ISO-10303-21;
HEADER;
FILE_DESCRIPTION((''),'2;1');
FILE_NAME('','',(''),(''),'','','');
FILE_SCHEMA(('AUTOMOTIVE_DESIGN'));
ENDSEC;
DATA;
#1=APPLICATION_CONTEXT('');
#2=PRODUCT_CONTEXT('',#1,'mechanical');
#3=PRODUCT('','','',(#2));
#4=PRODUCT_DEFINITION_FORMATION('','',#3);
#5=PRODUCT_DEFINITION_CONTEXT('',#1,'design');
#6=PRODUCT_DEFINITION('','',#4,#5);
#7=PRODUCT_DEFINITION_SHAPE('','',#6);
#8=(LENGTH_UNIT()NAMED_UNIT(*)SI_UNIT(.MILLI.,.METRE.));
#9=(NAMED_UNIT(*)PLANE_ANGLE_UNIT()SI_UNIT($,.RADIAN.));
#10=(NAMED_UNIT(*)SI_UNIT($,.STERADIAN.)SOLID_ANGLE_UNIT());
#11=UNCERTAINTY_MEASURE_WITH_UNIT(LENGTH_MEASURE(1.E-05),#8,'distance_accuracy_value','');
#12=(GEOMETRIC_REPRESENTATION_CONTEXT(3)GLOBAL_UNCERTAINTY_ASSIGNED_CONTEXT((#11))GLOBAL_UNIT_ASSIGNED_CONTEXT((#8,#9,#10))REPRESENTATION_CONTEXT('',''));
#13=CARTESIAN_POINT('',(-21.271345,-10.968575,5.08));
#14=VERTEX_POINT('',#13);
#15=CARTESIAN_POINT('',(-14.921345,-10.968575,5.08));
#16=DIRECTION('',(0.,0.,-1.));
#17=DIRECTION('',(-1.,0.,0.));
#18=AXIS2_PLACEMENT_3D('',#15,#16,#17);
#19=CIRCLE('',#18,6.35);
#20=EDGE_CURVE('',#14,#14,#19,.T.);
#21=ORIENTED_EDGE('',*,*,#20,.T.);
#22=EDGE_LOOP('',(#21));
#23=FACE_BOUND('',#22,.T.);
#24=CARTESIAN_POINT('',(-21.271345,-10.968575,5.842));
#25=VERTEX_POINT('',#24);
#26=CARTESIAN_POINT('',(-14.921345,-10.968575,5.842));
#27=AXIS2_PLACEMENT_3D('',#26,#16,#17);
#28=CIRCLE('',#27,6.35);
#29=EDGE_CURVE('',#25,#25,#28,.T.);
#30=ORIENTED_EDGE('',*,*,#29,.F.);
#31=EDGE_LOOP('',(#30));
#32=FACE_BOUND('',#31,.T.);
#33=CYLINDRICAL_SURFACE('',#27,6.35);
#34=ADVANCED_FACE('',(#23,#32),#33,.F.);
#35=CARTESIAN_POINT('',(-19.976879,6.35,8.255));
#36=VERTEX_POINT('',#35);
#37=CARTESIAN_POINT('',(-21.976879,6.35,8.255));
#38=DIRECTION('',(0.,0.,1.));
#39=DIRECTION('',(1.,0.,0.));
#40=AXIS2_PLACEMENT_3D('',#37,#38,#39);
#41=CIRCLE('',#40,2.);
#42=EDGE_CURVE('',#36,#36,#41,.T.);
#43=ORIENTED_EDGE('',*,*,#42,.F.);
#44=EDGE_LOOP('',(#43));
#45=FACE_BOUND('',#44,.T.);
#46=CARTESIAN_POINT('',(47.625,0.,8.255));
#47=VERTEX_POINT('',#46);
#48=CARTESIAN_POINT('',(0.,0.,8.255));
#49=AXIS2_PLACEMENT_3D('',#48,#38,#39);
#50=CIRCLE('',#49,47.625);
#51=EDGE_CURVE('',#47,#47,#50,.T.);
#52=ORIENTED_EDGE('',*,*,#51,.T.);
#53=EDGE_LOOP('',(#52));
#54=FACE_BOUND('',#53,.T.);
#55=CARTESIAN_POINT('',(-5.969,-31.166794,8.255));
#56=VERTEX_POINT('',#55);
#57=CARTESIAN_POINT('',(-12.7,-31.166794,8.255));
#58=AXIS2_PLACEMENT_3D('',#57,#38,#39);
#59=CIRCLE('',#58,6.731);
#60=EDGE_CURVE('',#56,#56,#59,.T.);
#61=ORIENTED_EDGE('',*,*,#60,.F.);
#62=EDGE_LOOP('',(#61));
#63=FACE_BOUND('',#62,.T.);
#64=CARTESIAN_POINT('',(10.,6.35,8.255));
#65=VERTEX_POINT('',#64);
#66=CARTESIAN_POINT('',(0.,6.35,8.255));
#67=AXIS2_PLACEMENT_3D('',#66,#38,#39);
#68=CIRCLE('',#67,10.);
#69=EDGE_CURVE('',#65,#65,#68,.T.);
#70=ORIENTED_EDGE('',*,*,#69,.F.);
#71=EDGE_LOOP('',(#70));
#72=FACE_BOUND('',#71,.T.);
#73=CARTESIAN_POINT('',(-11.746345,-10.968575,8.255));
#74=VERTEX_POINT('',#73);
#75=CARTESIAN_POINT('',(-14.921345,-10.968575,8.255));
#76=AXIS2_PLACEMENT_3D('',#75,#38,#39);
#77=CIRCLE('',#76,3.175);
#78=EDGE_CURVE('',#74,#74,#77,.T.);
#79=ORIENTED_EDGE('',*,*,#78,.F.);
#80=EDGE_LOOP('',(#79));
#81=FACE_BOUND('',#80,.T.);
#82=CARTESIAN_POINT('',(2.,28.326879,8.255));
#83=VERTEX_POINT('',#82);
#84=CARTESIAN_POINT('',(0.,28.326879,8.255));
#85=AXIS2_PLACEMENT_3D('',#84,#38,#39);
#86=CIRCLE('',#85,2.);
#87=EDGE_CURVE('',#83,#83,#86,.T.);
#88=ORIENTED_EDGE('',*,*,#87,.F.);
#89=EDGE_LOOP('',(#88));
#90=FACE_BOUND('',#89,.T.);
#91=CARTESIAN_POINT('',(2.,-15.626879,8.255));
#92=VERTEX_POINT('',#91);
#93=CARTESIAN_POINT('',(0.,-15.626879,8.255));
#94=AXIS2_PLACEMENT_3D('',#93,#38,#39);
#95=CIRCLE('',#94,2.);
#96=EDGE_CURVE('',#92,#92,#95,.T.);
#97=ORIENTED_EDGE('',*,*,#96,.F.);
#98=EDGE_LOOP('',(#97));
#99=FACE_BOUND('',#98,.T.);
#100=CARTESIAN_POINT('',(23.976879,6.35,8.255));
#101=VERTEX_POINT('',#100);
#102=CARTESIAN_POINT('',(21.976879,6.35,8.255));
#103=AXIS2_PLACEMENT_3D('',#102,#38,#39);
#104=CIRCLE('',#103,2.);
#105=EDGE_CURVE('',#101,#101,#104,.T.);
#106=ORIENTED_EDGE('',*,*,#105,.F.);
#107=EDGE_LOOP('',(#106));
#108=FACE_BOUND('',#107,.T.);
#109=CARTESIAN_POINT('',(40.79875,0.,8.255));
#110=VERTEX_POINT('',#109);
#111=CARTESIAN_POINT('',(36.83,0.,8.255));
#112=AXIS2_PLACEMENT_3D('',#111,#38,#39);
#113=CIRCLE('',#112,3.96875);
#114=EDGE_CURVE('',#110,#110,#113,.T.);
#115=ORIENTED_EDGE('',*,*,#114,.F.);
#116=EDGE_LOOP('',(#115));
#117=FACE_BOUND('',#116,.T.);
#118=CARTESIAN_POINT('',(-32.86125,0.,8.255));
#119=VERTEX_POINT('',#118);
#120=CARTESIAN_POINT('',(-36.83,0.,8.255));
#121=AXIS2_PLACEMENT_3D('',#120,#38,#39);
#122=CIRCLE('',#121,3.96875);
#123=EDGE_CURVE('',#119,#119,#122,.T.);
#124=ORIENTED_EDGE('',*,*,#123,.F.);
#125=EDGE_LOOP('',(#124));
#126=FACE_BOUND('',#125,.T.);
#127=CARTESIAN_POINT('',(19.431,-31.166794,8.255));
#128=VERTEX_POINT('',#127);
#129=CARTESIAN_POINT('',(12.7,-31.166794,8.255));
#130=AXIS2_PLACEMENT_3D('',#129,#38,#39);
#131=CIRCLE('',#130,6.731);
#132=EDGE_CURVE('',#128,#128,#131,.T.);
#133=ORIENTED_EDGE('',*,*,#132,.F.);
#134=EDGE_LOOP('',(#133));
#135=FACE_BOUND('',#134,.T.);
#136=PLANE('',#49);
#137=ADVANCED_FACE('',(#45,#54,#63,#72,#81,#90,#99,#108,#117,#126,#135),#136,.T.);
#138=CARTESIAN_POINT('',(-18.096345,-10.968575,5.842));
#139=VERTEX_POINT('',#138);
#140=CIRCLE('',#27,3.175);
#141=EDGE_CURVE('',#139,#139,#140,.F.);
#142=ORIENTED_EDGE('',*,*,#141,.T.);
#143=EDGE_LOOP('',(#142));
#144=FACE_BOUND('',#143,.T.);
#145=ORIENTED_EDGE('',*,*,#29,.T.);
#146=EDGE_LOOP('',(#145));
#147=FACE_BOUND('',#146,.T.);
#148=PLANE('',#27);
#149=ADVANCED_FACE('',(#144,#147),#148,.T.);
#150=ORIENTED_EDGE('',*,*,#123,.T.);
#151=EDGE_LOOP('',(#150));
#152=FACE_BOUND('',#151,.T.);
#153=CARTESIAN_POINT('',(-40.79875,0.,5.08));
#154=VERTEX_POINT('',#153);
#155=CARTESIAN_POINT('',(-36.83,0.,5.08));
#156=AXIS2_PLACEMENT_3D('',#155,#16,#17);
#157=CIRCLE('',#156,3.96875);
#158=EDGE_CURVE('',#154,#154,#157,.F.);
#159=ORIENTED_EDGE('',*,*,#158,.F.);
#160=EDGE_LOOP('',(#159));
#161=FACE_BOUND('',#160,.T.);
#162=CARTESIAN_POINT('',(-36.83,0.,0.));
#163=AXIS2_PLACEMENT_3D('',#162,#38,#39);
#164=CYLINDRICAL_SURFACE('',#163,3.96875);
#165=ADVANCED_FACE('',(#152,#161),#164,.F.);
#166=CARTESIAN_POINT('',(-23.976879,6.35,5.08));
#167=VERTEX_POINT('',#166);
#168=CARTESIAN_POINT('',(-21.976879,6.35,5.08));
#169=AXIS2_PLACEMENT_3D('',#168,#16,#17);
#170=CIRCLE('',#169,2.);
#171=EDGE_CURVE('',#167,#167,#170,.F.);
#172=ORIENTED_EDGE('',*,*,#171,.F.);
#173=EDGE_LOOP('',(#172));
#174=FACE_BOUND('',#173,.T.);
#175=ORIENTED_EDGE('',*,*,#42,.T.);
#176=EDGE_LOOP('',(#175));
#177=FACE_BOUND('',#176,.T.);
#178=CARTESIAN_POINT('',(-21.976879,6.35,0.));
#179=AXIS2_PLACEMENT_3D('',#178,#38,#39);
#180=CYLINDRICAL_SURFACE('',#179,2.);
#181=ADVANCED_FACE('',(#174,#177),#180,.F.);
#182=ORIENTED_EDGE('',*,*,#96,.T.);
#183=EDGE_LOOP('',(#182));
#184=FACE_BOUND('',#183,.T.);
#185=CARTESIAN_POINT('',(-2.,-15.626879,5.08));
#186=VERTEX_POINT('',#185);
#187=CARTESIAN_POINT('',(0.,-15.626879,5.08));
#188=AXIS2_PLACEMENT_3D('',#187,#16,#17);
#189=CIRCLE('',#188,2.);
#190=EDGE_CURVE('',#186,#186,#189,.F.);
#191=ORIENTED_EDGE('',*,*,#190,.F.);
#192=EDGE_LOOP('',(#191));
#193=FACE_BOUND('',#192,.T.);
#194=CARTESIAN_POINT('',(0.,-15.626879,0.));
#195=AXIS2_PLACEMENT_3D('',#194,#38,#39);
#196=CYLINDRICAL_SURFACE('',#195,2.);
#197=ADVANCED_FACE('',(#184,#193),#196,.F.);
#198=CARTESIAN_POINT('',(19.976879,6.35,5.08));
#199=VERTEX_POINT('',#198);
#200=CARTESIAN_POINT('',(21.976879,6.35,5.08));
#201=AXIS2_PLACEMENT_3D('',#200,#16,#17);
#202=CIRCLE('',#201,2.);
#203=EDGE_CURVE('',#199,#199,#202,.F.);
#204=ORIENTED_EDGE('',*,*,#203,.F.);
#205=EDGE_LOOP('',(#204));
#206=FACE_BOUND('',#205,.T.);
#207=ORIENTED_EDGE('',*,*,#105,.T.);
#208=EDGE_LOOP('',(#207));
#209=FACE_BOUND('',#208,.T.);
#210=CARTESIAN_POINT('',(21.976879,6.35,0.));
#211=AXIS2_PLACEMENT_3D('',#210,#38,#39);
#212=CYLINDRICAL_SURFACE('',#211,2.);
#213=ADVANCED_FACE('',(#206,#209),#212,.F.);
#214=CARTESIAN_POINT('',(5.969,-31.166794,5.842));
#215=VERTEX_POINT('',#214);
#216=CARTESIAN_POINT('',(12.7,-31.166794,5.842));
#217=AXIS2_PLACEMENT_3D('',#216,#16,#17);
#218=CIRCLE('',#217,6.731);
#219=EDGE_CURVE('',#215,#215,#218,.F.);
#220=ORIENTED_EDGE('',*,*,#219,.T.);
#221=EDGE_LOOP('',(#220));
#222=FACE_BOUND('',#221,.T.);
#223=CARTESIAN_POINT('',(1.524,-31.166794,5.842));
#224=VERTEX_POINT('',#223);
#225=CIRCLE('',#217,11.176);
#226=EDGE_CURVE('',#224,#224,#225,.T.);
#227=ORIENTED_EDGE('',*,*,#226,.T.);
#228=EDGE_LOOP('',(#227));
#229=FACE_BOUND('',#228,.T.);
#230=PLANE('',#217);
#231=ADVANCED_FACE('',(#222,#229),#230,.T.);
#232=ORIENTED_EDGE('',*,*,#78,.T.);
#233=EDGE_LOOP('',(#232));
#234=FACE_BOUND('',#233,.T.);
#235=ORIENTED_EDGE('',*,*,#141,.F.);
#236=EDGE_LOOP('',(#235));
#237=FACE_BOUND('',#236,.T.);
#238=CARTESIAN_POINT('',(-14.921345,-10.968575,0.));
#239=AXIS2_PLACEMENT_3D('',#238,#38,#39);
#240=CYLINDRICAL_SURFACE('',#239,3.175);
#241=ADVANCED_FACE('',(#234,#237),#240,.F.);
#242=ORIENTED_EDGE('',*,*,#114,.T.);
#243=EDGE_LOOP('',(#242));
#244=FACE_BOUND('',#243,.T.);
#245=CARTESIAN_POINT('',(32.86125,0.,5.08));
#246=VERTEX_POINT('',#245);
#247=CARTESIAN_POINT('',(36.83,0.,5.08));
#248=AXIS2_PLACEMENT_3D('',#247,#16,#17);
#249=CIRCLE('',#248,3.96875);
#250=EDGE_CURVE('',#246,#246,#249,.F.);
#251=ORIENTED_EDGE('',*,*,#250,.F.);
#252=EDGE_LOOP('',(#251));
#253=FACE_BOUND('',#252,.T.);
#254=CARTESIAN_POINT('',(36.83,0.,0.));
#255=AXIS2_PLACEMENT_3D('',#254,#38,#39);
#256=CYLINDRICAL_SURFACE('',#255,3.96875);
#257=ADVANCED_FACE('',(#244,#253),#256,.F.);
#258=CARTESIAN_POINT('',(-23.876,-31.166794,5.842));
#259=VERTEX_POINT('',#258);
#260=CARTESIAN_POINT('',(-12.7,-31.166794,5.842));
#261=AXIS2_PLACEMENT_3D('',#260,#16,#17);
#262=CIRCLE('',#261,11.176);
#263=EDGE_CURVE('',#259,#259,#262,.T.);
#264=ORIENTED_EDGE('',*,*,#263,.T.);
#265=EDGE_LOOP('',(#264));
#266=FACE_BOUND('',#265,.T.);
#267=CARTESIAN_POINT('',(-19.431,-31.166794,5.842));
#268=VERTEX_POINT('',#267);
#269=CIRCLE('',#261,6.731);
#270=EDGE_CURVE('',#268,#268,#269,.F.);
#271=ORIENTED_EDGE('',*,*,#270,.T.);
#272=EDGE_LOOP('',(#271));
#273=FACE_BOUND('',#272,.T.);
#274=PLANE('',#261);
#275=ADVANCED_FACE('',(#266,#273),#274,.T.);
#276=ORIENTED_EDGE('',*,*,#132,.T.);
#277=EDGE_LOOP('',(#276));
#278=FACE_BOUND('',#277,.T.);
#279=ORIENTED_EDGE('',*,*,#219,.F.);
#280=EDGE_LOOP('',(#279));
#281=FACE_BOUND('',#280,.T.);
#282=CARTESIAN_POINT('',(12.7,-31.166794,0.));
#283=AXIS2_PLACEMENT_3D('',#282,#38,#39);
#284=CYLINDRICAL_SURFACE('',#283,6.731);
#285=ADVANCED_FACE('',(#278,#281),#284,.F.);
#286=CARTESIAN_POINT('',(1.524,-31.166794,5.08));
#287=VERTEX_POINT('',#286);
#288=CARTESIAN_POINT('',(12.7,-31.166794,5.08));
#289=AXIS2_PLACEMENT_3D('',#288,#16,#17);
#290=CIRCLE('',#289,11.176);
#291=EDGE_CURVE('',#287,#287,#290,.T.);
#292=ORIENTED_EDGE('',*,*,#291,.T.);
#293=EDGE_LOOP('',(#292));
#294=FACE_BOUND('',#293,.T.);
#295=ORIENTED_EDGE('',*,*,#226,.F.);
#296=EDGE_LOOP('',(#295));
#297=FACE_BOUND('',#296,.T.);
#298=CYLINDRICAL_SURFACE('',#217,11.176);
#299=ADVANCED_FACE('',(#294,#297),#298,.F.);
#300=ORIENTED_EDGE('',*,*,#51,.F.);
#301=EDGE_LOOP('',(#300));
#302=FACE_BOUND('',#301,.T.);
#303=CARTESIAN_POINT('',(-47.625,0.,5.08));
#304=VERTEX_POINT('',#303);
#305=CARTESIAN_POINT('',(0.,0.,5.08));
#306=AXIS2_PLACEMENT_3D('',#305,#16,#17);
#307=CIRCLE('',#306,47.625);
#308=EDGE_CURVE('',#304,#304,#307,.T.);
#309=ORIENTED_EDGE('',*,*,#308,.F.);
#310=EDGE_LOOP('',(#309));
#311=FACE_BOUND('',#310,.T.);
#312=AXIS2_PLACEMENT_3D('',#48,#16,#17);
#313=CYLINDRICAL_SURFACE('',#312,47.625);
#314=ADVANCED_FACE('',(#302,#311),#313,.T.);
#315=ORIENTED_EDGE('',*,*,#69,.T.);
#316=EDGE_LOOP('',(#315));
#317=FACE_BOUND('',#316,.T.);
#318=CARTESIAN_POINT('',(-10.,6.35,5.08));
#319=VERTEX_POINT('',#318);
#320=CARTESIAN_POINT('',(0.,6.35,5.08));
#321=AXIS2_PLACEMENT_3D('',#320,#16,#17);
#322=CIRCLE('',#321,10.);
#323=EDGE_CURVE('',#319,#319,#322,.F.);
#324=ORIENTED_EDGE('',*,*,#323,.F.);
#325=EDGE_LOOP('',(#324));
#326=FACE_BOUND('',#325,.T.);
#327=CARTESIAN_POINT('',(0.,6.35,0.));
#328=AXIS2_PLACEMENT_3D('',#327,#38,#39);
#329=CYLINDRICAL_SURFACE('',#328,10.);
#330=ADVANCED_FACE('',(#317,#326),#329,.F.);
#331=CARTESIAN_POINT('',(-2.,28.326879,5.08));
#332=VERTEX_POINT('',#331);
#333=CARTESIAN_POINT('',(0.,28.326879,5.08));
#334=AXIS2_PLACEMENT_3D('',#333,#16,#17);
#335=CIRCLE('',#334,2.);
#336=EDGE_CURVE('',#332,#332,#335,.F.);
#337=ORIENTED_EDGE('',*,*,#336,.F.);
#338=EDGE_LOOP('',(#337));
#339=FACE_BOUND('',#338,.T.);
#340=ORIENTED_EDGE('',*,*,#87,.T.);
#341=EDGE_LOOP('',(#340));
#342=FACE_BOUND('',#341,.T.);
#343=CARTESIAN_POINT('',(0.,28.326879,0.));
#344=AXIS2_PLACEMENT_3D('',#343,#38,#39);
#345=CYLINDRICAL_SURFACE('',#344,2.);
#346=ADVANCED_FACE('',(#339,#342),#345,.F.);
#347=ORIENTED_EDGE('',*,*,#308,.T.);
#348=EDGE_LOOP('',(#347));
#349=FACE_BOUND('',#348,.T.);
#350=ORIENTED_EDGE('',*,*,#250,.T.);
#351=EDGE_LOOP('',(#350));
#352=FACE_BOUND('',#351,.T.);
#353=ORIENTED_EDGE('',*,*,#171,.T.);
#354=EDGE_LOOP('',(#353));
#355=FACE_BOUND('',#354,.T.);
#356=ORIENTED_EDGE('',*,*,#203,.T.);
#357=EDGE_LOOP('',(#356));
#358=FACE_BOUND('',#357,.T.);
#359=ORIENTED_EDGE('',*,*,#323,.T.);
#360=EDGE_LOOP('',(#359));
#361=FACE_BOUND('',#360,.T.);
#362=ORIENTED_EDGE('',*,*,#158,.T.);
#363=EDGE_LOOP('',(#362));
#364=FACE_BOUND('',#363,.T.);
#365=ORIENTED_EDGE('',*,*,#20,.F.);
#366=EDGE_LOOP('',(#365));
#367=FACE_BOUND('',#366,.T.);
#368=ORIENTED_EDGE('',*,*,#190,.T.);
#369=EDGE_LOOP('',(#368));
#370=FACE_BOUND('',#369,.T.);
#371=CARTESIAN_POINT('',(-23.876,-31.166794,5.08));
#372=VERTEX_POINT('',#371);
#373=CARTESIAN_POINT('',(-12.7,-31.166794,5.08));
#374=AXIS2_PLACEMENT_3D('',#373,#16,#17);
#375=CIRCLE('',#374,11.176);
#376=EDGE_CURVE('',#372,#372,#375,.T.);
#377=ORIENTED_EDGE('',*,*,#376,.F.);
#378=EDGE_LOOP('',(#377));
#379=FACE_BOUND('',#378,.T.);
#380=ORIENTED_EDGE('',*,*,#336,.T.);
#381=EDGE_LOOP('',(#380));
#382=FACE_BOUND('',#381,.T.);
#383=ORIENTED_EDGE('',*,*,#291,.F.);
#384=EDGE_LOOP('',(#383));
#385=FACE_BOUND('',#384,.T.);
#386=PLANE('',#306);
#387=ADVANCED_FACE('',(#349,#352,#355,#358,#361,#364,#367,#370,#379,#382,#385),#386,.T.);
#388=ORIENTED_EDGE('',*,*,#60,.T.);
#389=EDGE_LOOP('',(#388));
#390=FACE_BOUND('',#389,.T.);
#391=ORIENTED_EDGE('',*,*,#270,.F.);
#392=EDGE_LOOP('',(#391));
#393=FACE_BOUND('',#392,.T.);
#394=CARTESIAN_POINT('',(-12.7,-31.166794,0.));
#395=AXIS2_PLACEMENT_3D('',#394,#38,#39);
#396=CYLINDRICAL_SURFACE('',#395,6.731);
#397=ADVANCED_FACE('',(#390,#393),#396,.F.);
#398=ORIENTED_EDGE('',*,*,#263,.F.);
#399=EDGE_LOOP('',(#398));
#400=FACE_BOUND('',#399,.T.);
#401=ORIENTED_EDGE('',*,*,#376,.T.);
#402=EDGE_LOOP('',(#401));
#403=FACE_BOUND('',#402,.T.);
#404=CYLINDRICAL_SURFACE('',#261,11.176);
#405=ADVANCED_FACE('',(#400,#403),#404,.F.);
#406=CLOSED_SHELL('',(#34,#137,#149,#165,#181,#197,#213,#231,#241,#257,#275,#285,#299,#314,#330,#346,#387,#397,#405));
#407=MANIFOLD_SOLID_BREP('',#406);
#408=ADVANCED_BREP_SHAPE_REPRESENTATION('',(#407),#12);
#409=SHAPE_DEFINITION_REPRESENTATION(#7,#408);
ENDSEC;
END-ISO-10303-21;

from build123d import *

# Parameters (mm, degrees)
SKETCH1_R           = 49.5046
BOSS_EXTRUDE1_DEPTH = 5.08
SKETCH2_R           = 47.625
BOSS_EXTRUDE2_DEPTH = 3.175
SKETCH3_R           = 6.731
SKETCH3_R_2         = 3.96875
SKETCH3_R_3         = 10
SKETCH3_R_4         = 2
SKETCH3_R_5         = 3.175
CUT_EXTRUDE1_DEPTH  = 9.255
SKETCH7_R           = 52.166274697
CUT_EXTRUDE4_DEPTH  = 5.08
SKETCH8_R           = 11.176
SKETCH8_R_2         = 6.35
CUT_EXTRUDE5_DEPTH  = 0.762


with BuildPart() as part:
    # Sketch1 → Boss-Extrude1 (new body)
    with BuildSketch(Plane.XY):
        Circle(SKETCH1_R)
    extrude(amount=BOSS_EXTRUDE1_DEPTH)

    # Sketch2 → Boss-Extrude2 (add)
    with BuildSketch(Plane.XY.offset(5.08)):
        Circle(SKETCH2_R)
    extrude(amount=BOSS_EXTRUDE2_DEPTH)

    # Sketch3 → Cut-Extrude1 (cut, through all)
    with BuildSketch(Plane.XY.offset(8.255)):
        with Locations((-12.7, -31.166793627)):
            Circle(SKETCH3_R)
        with Locations((12.7, -31.166793627)):
            Circle(SKETCH3_R)
        with Locations((-36.83, 0)):
            Circle(SKETCH3_R_2)
        with Locations((36.83, 0)):
            Circle(SKETCH3_R_2)
        with Locations((0, 6.35)):
            Circle(SKETCH3_R_3)
        with Locations((0, 28.326878759)):
            Circle(SKETCH3_R_4)
        with Locations((21.976878759, 6.35)):
            Circle(SKETCH3_R_4)
        with Locations((0, -15.626878759)):
            Circle(SKETCH3_R_4)
        with Locations((-21.976878759, 6.35)):
            Circle(SKETCH3_R_4)
        with Locations((-14.921345457, -10.968575281)):
            Circle(SKETCH3_R_5)
    extrude(amount=-CUT_EXTRUDE1_DEPTH, mode=Mode.SUBTRACT)

    # Sketch7 → Cut-Extrude4 (cut)
    with BuildSketch(Plane(origin=(0, 0, 0), x_dir=(-1, 0, 0), z_dir=(0, 0, -1))):
        Circle(SKETCH7_R)
    extrude(amount=-CUT_EXTRUDE4_DEPTH, mode=Mode.SUBTRACT)

    # Sketch8 → Cut-Extrude5 (cut)
    with BuildSketch(Plane(origin=(0, 0, 5.08), x_dir=(-1, 0, 0), z_dir=(0, 0, -1))):
        with Locations((-12.7, -31.166793627)):
            Circle(SKETCH8_R)
        with Locations((12.7, -31.166793627)):
            Circle(SKETCH8_R)
        with Locations((14.921345457, -10.968575281)):
            Circle(SKETCH8_R_2)
    extrude(amount=-CUT_EXTRUDE5_DEPTH, mode=Mode.SUBTRACT)


solid = part.part
